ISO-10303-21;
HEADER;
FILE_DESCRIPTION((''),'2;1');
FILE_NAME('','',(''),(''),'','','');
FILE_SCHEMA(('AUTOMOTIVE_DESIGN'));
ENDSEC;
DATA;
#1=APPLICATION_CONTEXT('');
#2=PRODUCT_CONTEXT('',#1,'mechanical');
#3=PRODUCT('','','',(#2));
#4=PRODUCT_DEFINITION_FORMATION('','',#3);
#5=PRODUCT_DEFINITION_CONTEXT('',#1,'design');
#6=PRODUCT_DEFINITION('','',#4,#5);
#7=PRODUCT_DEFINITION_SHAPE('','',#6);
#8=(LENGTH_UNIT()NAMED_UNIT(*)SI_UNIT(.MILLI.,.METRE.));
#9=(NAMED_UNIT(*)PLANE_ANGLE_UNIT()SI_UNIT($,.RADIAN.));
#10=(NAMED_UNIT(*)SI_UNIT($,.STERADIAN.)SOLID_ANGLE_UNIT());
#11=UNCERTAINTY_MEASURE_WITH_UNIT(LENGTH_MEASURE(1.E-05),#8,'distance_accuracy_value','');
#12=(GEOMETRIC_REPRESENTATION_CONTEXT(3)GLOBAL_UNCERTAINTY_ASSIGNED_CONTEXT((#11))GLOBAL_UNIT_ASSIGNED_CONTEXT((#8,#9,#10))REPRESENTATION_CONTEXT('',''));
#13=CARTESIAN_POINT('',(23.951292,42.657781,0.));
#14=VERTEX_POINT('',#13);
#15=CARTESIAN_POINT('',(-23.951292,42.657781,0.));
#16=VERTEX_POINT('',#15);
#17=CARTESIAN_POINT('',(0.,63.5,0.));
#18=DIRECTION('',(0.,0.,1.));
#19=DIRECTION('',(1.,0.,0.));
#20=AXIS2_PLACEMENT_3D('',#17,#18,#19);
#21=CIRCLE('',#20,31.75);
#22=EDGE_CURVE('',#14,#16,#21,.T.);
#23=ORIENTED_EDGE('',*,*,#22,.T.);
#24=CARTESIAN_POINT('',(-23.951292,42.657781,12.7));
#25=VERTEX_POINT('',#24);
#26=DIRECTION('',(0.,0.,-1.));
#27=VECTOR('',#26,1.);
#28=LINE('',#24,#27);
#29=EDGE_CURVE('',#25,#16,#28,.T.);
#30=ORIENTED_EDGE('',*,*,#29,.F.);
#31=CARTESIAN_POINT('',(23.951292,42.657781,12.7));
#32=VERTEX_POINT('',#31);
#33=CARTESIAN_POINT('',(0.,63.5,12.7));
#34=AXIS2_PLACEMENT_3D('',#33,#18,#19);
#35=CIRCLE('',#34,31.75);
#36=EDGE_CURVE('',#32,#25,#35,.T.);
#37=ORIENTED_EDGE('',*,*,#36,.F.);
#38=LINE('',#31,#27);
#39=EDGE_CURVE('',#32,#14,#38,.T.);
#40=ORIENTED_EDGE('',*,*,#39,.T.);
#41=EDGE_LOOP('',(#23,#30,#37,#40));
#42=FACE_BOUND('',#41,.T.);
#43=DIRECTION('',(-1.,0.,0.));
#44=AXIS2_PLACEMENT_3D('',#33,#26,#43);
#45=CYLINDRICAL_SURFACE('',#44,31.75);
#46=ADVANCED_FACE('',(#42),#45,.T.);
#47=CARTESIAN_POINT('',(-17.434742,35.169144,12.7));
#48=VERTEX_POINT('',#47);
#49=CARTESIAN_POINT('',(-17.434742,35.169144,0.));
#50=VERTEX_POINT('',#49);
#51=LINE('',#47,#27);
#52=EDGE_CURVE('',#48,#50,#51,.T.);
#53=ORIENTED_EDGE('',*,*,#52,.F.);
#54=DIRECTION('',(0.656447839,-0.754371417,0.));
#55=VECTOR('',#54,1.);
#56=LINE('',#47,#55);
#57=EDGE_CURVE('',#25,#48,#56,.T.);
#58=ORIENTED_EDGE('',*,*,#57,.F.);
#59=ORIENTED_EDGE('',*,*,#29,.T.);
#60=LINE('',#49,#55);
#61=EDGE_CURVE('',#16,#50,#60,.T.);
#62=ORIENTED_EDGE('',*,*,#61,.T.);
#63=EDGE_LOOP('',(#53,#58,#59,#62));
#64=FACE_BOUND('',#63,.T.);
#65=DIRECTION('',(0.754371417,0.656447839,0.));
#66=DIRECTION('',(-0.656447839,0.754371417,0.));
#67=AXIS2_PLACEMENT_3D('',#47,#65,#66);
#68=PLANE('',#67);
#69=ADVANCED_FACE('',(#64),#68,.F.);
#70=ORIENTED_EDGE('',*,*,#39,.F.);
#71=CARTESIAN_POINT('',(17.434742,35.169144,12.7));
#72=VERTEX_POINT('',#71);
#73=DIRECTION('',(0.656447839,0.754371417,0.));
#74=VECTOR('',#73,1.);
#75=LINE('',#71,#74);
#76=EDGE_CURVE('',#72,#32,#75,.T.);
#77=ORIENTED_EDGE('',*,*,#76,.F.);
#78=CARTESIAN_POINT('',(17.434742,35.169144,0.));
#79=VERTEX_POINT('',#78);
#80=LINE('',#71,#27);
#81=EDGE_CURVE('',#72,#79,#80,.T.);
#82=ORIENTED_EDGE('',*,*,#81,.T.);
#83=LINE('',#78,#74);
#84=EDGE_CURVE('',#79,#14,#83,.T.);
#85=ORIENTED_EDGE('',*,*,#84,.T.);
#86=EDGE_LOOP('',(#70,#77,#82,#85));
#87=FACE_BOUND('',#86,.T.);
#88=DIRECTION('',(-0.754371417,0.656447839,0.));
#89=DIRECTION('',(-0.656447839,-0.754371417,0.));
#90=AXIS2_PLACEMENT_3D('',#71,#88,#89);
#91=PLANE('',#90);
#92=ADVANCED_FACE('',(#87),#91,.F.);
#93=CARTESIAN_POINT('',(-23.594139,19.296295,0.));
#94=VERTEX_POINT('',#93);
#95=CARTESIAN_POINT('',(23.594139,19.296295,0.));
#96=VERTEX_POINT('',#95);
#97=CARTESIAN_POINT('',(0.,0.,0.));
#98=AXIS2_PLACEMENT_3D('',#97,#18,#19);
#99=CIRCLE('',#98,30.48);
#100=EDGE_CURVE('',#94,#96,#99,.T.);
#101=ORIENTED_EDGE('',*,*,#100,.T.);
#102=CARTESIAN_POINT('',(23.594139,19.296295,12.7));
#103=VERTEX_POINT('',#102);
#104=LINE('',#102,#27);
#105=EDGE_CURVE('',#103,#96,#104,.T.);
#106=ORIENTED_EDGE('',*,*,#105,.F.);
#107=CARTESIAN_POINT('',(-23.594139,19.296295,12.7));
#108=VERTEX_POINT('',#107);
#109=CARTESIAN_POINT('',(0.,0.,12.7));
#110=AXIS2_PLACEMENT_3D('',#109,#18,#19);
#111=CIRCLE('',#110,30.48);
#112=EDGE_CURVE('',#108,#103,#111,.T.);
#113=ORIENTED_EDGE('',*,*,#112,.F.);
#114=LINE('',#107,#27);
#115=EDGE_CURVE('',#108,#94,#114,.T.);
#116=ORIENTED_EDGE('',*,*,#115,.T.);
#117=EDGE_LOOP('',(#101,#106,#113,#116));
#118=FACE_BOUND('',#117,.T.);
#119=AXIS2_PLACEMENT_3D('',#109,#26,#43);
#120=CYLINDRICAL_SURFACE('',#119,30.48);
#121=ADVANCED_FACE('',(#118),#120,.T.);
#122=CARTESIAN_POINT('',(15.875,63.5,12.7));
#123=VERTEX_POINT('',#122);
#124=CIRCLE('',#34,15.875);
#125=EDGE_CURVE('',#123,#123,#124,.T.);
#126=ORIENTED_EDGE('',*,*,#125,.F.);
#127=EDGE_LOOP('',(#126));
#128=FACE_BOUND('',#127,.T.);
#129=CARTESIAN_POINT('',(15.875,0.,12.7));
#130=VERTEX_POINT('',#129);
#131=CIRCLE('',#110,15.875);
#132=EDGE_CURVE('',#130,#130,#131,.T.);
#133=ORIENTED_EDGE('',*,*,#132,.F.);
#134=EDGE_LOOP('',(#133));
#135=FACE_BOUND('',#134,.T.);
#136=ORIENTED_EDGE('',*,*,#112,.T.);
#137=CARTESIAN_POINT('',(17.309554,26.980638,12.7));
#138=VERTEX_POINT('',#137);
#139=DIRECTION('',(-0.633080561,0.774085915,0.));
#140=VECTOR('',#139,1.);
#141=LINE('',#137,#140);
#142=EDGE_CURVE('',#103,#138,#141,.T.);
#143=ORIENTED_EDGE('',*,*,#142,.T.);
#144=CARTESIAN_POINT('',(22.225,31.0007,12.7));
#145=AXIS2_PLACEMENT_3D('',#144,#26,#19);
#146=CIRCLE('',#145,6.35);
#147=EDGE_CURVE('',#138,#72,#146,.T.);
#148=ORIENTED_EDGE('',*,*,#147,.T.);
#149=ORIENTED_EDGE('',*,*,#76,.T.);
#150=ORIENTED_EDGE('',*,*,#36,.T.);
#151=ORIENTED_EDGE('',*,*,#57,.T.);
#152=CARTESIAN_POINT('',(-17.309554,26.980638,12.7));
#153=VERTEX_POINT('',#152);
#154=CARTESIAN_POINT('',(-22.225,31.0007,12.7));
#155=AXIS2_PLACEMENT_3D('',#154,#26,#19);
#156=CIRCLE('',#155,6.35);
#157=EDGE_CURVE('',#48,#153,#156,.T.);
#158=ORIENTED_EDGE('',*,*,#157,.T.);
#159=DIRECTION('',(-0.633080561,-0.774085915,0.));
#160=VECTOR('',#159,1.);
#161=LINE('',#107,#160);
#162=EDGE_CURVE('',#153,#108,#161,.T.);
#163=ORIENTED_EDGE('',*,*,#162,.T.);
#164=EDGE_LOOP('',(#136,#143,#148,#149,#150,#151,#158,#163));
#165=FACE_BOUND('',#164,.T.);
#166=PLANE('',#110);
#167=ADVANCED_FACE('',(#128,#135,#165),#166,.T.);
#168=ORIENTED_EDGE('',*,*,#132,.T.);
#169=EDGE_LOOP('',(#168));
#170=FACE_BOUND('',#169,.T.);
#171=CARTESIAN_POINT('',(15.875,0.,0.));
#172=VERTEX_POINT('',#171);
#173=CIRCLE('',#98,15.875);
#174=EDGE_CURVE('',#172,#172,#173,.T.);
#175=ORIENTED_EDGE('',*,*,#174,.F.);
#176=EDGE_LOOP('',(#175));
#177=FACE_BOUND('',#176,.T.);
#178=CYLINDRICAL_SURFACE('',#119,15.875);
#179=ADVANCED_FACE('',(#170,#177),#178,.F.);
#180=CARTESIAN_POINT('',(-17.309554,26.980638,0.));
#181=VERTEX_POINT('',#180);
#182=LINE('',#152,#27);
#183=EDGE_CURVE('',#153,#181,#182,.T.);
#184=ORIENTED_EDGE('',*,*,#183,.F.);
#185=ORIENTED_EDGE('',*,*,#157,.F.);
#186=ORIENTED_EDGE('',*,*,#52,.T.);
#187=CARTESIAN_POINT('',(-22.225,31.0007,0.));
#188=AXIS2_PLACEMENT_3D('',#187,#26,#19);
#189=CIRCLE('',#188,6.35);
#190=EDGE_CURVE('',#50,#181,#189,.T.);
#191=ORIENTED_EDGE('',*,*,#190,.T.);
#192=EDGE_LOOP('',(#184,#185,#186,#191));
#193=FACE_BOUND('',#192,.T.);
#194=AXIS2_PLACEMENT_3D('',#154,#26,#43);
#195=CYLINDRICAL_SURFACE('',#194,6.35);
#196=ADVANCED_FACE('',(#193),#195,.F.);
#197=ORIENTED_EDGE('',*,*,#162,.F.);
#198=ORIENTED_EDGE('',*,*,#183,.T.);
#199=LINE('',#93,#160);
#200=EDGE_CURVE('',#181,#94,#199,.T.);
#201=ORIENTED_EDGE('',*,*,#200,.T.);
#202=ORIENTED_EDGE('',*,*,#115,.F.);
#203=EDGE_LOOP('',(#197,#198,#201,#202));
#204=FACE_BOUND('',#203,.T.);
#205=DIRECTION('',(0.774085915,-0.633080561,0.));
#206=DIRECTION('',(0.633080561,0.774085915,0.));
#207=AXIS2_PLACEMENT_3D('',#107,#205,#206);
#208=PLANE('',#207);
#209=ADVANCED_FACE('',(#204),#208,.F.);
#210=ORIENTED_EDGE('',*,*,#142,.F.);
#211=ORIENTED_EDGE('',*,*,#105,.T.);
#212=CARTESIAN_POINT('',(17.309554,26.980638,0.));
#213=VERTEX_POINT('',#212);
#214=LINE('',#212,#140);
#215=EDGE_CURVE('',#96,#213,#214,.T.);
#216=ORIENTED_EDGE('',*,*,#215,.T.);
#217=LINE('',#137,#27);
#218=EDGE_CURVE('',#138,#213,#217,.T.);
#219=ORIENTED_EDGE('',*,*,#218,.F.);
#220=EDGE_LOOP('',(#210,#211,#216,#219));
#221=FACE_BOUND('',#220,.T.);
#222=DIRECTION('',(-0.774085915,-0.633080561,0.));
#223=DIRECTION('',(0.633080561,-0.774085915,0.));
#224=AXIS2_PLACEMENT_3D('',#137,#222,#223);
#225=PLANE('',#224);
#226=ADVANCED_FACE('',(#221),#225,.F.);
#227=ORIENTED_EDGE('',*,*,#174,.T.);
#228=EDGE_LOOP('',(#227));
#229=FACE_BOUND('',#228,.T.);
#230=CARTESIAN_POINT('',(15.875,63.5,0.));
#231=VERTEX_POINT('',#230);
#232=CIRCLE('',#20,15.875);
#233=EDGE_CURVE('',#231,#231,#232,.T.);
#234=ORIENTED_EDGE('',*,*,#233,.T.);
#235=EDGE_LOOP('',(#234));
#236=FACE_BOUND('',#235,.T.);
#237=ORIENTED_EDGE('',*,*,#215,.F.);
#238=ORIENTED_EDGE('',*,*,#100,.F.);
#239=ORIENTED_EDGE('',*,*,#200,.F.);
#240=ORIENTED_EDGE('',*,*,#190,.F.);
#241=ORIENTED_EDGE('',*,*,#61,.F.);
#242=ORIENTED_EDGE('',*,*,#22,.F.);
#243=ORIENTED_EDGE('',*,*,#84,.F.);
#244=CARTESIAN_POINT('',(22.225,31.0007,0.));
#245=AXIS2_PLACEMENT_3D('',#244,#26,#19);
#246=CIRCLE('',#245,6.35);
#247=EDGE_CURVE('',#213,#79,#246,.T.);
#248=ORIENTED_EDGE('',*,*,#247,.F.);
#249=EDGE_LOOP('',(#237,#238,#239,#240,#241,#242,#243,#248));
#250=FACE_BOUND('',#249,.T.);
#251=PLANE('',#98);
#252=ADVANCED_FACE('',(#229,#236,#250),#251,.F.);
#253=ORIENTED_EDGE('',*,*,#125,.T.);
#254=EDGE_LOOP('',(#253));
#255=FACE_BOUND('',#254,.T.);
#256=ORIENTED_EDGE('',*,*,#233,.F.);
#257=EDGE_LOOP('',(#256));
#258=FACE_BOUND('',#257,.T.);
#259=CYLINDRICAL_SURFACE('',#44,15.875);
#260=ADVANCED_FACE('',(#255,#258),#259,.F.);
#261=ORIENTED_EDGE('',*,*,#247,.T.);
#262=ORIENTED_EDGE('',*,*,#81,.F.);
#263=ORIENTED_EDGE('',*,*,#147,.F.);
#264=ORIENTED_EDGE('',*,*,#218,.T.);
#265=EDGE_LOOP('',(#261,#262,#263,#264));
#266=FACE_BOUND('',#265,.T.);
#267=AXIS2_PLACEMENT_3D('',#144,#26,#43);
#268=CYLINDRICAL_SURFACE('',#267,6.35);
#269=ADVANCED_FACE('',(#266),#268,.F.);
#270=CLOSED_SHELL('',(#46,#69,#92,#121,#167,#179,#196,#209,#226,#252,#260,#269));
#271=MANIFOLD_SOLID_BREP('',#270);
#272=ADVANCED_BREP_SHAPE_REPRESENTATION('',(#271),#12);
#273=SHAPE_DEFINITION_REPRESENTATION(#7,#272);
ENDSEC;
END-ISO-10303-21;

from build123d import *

# Parameters (mm, degrees)
SKETCH1_R           = 15.875
BOSS_EXTRUDE1_DEPTH = 12.7


with BuildPart() as part:
    # Sketch1 → Boss-Extrude1 (new body)
    with BuildSketch(Plane.XY):
        with BuildLine():
            Line((17.434741505, 35.16914378), (23.951292477, 42.6577811))
            ThreePointArc((23.951292477, 42.6577811), (0, 95.25), (-23.951292477, 42.6577811))
            Line((-23.951292477, 42.6577811), (-17.434741505, 35.16914378))
            ThreePointArc((-17.434741505, 35.16914378), (-15.875741954, 31.097768382), (-17.309554442, 26.980638438))
            Line((-17.309554442, 26.980638438), (-23.594138681, 19.296295497))
            ThreePointArc((-23.594138681, 19.296295497), (0, -30.48), (23.594138681, 19.296295497))
            Line((23.594138681, 19.296295497), (17.309554442, 26.980638438))
            ThreePointArc((17.309554442, 26.980638438), (15.875741954, 31.097768382), (17.434741505, 35.16914378))
        make_face()
        with Locations((0, 63.5)):
            Circle(SKETCH1_R, mode=Mode.SUBTRACT)
        Circle(SKETCH1_R, mode=Mode.SUBTRACT)
    extrude(amount=BOSS_EXTRUDE1_DEPTH)


solid = part.part
